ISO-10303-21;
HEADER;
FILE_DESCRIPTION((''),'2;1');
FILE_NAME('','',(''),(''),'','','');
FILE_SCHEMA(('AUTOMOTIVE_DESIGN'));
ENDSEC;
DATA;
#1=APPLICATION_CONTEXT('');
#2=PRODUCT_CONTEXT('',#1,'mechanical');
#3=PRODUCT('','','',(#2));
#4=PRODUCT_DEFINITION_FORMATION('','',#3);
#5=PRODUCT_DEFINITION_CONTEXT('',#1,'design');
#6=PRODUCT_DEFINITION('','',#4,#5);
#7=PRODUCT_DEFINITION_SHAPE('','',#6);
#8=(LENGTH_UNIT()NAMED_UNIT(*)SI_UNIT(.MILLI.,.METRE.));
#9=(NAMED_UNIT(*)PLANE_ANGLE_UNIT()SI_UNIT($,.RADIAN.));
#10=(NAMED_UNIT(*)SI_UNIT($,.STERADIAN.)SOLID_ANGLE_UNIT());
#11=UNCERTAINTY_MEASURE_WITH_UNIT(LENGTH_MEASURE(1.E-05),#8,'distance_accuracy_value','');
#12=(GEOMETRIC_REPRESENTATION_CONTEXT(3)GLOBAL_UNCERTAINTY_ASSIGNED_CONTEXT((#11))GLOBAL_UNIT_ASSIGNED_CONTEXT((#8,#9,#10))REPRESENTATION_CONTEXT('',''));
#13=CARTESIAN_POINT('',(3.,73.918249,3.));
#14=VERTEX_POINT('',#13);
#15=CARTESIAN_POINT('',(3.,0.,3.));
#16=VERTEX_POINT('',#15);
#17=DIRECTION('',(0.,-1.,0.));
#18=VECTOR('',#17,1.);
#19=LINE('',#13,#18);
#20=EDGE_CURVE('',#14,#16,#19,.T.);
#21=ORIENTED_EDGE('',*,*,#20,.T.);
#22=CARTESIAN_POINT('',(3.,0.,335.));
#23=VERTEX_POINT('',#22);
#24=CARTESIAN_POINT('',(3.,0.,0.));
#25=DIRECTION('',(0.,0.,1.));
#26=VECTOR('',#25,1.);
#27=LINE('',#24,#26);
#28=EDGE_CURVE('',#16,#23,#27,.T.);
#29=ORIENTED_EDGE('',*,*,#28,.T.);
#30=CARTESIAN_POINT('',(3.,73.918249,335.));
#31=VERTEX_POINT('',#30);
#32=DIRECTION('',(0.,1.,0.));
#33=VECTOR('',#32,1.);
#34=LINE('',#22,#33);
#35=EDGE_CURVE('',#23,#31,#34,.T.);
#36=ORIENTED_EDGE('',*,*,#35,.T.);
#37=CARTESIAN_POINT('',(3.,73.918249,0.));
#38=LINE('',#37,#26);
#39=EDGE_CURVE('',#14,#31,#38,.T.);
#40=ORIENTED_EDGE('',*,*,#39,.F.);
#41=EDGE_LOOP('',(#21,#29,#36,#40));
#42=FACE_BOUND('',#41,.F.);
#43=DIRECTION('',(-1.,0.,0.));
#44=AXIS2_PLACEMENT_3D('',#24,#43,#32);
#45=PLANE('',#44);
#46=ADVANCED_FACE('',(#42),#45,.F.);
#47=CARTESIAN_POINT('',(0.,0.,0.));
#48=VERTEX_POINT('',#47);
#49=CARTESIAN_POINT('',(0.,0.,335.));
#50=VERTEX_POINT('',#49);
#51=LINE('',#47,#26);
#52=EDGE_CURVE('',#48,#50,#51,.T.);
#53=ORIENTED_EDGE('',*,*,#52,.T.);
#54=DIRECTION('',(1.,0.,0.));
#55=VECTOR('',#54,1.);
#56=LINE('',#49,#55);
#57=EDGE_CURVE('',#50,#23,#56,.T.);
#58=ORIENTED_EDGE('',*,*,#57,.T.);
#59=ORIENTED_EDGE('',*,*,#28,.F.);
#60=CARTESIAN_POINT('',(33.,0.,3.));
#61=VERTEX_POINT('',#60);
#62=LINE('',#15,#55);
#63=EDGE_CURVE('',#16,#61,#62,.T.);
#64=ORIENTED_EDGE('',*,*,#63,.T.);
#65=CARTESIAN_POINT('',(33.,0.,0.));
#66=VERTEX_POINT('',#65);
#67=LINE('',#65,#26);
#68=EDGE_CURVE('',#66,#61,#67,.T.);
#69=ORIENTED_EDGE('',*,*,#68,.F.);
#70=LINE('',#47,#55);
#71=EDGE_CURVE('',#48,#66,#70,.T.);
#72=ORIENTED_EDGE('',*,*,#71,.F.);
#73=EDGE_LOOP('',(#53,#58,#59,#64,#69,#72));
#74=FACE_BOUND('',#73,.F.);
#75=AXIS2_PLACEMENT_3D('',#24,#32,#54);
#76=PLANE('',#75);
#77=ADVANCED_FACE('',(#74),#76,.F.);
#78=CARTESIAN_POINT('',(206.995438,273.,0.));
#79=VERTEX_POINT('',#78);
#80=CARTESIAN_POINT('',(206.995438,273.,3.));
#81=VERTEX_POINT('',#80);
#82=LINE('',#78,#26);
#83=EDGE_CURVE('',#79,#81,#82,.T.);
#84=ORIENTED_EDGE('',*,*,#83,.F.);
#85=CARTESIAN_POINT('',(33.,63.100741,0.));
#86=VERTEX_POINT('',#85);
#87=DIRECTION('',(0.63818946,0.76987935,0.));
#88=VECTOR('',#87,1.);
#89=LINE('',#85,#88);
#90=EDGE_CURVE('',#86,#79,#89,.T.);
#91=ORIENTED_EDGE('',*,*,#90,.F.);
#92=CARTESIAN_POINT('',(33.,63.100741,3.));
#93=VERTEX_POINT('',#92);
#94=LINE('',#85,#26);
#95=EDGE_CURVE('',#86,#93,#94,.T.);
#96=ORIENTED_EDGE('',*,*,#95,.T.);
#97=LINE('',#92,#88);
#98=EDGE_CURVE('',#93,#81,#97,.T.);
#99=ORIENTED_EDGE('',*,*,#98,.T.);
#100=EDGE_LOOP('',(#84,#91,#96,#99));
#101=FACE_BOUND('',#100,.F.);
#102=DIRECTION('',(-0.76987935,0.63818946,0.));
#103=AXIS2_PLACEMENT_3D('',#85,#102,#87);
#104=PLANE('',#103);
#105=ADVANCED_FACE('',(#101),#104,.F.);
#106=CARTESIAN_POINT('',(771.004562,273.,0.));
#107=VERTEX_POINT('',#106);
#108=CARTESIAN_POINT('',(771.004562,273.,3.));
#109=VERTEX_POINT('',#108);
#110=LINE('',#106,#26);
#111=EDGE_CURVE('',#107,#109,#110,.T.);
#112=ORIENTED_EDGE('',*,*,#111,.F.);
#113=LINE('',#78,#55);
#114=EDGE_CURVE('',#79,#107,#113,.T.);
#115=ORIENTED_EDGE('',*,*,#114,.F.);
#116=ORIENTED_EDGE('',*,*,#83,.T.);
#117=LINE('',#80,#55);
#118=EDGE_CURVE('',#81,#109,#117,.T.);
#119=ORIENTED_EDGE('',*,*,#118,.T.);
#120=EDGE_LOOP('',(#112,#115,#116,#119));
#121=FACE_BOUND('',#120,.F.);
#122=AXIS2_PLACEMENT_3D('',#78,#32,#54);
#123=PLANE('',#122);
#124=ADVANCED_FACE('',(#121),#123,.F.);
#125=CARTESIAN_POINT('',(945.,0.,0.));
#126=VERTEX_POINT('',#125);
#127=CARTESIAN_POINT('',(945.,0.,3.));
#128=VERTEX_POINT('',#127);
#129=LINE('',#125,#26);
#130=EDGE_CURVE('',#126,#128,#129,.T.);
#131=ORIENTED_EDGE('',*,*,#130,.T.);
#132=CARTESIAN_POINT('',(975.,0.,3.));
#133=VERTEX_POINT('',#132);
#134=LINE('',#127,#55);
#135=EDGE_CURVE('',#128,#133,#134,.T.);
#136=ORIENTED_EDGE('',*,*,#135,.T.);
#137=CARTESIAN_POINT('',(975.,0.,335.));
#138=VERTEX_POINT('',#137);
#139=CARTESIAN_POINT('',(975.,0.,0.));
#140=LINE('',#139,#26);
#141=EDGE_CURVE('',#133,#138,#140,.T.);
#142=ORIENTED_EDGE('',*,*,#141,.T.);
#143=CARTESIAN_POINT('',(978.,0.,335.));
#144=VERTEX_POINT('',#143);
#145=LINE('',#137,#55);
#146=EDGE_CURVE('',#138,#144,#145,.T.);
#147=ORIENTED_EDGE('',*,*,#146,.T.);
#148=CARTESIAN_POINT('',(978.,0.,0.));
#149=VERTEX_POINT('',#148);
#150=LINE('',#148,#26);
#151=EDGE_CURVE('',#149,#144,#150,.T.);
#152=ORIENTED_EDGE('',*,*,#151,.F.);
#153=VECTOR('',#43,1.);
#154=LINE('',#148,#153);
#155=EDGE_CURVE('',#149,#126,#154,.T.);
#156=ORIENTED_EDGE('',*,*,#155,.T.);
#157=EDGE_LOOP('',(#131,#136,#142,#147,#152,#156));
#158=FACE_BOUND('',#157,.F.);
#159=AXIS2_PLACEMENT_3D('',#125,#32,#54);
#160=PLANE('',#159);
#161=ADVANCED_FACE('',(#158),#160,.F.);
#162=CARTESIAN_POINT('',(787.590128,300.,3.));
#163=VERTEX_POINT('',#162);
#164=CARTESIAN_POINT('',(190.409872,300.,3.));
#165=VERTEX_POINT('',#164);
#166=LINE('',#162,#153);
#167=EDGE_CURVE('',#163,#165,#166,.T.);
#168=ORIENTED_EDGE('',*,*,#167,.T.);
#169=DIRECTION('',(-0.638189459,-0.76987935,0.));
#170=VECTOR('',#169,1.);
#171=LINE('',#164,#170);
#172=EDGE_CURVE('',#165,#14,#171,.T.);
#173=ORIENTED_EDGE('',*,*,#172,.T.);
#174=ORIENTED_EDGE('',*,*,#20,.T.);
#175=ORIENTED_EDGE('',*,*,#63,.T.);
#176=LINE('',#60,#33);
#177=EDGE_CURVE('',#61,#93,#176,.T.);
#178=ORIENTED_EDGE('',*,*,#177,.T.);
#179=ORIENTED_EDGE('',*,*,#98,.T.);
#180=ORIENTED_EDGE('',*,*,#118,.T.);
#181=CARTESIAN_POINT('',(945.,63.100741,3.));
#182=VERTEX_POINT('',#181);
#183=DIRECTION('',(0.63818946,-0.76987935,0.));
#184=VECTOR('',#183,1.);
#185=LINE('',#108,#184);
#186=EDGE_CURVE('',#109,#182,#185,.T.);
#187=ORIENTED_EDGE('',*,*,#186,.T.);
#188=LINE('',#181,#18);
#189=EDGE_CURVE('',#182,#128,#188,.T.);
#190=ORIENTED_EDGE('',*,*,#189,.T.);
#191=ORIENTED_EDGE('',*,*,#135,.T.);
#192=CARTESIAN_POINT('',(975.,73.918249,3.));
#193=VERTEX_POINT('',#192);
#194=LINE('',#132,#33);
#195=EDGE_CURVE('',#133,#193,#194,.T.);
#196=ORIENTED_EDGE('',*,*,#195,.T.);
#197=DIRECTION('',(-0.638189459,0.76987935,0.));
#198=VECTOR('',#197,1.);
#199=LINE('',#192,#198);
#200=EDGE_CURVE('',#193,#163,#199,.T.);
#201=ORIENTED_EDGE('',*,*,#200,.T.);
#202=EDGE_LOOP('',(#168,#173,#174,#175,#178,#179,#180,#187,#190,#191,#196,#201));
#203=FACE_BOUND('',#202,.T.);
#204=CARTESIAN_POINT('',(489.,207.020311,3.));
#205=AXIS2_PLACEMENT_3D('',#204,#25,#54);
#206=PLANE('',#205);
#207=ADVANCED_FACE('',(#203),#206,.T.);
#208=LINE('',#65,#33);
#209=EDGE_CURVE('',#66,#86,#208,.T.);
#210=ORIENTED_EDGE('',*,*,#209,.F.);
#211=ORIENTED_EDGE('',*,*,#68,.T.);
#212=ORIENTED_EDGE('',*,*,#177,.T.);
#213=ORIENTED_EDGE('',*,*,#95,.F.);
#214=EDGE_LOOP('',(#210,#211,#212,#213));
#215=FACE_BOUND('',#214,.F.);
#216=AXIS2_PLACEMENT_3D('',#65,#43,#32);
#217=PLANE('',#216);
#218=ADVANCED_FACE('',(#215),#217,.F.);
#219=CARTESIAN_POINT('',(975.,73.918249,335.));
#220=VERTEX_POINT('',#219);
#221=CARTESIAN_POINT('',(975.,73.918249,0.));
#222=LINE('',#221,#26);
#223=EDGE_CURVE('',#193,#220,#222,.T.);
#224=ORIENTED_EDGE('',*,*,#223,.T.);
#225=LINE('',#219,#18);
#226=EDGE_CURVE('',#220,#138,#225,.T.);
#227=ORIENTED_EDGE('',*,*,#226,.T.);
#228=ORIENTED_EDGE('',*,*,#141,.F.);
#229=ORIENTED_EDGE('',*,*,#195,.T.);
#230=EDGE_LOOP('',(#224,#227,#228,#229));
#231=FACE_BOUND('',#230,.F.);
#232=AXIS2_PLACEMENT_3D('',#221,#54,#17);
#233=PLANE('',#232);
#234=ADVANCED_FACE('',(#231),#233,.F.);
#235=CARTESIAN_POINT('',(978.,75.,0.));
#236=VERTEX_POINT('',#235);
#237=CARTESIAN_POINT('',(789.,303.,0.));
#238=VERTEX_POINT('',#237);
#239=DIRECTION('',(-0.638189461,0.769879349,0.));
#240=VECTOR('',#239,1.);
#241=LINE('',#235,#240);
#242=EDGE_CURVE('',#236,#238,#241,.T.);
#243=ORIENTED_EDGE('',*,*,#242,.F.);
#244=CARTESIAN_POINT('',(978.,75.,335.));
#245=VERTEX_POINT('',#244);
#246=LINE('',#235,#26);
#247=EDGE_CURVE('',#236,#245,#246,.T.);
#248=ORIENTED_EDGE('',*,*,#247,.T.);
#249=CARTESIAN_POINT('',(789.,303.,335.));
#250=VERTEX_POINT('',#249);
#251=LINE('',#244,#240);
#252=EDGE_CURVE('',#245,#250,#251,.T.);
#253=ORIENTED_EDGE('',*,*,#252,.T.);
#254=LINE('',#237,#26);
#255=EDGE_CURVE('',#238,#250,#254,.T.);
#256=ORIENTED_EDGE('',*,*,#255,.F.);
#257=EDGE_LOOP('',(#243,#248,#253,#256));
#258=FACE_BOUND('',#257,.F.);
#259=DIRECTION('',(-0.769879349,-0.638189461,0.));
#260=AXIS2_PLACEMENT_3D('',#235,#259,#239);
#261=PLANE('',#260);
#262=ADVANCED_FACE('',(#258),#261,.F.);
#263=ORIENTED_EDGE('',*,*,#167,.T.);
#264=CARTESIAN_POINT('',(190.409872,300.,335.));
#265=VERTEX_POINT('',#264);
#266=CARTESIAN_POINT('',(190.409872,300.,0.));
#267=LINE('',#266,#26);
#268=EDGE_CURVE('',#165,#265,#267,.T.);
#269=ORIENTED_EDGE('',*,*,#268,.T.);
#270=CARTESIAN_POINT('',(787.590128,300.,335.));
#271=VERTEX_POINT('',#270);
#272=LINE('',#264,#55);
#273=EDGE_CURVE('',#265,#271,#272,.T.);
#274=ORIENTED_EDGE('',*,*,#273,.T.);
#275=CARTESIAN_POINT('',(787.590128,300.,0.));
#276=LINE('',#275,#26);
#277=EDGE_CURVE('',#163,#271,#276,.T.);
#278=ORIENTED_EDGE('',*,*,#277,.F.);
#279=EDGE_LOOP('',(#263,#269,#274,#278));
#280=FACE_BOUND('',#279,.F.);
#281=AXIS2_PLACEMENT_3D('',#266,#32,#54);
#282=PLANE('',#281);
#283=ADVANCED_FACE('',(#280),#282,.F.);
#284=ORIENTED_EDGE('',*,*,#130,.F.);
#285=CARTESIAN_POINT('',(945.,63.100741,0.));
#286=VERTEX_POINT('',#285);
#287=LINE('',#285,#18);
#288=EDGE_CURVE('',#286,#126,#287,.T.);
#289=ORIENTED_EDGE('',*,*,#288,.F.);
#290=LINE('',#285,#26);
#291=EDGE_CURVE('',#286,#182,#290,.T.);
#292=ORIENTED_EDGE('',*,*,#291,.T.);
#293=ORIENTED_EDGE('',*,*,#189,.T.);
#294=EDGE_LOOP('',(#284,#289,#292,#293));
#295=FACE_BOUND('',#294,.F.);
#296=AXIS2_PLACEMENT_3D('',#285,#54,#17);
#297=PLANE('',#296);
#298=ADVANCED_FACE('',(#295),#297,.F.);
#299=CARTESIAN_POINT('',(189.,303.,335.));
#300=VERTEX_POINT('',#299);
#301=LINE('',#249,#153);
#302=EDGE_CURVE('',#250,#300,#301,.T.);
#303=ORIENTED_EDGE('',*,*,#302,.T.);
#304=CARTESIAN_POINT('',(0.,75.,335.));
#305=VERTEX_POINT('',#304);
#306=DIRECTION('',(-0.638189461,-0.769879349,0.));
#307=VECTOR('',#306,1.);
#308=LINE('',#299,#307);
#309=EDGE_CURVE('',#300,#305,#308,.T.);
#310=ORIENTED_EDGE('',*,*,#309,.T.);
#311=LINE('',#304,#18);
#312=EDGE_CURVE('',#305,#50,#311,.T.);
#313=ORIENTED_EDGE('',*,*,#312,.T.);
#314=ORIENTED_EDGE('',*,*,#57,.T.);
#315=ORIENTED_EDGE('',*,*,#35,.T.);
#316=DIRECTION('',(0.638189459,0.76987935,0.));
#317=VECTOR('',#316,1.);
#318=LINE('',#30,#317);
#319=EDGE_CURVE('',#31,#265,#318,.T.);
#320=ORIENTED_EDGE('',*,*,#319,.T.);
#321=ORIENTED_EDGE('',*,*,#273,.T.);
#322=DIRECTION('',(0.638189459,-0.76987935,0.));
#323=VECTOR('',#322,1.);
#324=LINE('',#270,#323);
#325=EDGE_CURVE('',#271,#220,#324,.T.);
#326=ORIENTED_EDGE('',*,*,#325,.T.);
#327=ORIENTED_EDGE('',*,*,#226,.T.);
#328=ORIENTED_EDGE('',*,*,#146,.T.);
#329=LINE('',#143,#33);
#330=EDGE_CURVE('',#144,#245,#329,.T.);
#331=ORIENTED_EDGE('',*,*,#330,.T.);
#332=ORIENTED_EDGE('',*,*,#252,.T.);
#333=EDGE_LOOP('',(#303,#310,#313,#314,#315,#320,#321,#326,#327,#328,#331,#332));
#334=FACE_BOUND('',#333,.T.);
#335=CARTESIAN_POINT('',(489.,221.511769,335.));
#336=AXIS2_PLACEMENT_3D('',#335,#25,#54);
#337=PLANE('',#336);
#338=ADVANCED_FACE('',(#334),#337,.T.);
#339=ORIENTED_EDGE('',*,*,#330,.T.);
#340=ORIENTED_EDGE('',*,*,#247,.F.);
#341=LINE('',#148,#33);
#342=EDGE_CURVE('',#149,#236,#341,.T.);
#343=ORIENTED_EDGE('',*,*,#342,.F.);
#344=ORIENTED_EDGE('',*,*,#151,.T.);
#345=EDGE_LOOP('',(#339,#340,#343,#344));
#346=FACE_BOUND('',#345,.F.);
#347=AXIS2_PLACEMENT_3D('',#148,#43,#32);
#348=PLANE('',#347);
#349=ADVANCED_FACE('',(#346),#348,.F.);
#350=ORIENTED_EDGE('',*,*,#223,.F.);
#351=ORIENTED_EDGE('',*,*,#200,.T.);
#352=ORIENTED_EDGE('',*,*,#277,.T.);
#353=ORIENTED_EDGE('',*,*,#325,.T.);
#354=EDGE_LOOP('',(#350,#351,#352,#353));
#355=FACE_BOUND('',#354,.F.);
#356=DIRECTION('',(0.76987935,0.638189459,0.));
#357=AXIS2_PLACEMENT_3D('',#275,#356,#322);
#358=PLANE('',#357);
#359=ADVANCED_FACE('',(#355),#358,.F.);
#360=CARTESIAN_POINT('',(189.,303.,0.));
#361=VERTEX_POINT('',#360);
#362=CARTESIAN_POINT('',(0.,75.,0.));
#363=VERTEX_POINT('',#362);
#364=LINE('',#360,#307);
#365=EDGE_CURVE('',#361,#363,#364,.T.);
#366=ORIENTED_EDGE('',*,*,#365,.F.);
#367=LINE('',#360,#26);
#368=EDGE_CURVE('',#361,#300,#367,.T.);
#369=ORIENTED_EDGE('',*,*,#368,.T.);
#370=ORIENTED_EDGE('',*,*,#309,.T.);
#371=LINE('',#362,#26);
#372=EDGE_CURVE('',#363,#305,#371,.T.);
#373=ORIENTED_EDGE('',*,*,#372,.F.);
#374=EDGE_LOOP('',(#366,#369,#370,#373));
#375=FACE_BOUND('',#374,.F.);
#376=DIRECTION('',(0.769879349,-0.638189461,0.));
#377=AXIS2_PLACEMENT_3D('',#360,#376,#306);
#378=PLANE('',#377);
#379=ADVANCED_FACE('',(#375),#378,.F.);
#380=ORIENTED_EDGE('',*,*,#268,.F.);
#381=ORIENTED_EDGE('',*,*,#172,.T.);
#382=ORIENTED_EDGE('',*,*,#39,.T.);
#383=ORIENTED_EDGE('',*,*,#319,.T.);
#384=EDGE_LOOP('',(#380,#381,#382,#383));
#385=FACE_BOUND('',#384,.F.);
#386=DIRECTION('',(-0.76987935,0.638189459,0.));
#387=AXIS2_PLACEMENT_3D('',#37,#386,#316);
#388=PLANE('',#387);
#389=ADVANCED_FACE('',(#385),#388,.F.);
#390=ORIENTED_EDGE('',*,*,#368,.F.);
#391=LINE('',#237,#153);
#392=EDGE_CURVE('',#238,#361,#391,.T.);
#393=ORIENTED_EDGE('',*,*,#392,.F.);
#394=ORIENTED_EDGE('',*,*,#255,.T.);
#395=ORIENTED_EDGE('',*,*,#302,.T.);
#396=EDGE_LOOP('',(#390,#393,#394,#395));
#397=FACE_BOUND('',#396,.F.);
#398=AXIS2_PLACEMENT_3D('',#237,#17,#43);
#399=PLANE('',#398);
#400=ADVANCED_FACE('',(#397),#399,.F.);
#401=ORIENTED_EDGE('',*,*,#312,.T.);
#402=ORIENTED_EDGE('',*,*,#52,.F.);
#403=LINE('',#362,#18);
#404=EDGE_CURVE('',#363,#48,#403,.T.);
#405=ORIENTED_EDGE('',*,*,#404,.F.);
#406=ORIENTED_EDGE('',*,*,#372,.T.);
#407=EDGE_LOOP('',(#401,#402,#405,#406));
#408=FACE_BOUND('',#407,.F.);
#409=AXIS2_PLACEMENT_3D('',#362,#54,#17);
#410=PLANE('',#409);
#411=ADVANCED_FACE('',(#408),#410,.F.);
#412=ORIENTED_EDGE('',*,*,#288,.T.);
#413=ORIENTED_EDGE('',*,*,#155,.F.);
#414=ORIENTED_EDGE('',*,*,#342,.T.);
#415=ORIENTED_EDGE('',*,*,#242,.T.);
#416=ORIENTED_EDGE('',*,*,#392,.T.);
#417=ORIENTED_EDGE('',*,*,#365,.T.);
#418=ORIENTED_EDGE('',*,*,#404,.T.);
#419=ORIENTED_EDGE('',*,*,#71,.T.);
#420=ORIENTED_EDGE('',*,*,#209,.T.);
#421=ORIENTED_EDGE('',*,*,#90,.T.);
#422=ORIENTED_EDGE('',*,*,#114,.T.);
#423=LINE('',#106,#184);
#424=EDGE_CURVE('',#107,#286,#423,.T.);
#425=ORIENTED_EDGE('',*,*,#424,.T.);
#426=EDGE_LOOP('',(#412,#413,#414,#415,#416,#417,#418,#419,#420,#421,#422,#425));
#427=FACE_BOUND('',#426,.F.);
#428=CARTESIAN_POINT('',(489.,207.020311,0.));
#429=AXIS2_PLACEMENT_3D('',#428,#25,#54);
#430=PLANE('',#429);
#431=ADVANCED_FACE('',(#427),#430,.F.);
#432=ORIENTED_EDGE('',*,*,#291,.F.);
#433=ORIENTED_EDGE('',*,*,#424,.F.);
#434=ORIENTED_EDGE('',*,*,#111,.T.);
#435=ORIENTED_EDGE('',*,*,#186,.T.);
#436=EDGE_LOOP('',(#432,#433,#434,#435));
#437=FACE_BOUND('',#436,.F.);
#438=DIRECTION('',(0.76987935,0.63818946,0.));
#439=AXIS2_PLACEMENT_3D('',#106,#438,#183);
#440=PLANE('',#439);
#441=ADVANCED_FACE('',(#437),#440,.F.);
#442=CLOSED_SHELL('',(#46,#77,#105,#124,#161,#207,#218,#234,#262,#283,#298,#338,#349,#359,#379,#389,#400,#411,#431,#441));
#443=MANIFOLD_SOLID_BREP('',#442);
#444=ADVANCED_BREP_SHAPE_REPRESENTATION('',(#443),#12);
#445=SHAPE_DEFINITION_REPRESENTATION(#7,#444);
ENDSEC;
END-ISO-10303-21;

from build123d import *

# Parameters (mm, degrees)
F1_DEPTH = 335
F2_DEPTH = 3


with BuildPart() as f1:
    # F0 (on Top) → F1 (new body)
    with BuildSketch(Plane.XY):
        Polygon((0, 75), (0, 0), (3, 0), (3, 73.918249), (190.409872, 300), (787.590128, 300), (975, 73.918249), (975, 0), (978, 0), (978, 75), (789, 303), (189, 303), align=None)
    extrude(amount=F1_DEPTH)

    # F0 (on Top) → F2 (join)
    with BuildSketch(Plane.XY):
        Polygon((3, 73.918249), (3, 0), (33, 0), (33, 63.100741), (206.995438, 273), (771.004562, 273), (945, 63.100741), (945, 0), (973.79916, 0), (975, 0), (975, 73.918249), (787.590128, 300), (190.409872, 300), align=None)
    extrude(amount=F2_DEPTH)


solid = f1.part
